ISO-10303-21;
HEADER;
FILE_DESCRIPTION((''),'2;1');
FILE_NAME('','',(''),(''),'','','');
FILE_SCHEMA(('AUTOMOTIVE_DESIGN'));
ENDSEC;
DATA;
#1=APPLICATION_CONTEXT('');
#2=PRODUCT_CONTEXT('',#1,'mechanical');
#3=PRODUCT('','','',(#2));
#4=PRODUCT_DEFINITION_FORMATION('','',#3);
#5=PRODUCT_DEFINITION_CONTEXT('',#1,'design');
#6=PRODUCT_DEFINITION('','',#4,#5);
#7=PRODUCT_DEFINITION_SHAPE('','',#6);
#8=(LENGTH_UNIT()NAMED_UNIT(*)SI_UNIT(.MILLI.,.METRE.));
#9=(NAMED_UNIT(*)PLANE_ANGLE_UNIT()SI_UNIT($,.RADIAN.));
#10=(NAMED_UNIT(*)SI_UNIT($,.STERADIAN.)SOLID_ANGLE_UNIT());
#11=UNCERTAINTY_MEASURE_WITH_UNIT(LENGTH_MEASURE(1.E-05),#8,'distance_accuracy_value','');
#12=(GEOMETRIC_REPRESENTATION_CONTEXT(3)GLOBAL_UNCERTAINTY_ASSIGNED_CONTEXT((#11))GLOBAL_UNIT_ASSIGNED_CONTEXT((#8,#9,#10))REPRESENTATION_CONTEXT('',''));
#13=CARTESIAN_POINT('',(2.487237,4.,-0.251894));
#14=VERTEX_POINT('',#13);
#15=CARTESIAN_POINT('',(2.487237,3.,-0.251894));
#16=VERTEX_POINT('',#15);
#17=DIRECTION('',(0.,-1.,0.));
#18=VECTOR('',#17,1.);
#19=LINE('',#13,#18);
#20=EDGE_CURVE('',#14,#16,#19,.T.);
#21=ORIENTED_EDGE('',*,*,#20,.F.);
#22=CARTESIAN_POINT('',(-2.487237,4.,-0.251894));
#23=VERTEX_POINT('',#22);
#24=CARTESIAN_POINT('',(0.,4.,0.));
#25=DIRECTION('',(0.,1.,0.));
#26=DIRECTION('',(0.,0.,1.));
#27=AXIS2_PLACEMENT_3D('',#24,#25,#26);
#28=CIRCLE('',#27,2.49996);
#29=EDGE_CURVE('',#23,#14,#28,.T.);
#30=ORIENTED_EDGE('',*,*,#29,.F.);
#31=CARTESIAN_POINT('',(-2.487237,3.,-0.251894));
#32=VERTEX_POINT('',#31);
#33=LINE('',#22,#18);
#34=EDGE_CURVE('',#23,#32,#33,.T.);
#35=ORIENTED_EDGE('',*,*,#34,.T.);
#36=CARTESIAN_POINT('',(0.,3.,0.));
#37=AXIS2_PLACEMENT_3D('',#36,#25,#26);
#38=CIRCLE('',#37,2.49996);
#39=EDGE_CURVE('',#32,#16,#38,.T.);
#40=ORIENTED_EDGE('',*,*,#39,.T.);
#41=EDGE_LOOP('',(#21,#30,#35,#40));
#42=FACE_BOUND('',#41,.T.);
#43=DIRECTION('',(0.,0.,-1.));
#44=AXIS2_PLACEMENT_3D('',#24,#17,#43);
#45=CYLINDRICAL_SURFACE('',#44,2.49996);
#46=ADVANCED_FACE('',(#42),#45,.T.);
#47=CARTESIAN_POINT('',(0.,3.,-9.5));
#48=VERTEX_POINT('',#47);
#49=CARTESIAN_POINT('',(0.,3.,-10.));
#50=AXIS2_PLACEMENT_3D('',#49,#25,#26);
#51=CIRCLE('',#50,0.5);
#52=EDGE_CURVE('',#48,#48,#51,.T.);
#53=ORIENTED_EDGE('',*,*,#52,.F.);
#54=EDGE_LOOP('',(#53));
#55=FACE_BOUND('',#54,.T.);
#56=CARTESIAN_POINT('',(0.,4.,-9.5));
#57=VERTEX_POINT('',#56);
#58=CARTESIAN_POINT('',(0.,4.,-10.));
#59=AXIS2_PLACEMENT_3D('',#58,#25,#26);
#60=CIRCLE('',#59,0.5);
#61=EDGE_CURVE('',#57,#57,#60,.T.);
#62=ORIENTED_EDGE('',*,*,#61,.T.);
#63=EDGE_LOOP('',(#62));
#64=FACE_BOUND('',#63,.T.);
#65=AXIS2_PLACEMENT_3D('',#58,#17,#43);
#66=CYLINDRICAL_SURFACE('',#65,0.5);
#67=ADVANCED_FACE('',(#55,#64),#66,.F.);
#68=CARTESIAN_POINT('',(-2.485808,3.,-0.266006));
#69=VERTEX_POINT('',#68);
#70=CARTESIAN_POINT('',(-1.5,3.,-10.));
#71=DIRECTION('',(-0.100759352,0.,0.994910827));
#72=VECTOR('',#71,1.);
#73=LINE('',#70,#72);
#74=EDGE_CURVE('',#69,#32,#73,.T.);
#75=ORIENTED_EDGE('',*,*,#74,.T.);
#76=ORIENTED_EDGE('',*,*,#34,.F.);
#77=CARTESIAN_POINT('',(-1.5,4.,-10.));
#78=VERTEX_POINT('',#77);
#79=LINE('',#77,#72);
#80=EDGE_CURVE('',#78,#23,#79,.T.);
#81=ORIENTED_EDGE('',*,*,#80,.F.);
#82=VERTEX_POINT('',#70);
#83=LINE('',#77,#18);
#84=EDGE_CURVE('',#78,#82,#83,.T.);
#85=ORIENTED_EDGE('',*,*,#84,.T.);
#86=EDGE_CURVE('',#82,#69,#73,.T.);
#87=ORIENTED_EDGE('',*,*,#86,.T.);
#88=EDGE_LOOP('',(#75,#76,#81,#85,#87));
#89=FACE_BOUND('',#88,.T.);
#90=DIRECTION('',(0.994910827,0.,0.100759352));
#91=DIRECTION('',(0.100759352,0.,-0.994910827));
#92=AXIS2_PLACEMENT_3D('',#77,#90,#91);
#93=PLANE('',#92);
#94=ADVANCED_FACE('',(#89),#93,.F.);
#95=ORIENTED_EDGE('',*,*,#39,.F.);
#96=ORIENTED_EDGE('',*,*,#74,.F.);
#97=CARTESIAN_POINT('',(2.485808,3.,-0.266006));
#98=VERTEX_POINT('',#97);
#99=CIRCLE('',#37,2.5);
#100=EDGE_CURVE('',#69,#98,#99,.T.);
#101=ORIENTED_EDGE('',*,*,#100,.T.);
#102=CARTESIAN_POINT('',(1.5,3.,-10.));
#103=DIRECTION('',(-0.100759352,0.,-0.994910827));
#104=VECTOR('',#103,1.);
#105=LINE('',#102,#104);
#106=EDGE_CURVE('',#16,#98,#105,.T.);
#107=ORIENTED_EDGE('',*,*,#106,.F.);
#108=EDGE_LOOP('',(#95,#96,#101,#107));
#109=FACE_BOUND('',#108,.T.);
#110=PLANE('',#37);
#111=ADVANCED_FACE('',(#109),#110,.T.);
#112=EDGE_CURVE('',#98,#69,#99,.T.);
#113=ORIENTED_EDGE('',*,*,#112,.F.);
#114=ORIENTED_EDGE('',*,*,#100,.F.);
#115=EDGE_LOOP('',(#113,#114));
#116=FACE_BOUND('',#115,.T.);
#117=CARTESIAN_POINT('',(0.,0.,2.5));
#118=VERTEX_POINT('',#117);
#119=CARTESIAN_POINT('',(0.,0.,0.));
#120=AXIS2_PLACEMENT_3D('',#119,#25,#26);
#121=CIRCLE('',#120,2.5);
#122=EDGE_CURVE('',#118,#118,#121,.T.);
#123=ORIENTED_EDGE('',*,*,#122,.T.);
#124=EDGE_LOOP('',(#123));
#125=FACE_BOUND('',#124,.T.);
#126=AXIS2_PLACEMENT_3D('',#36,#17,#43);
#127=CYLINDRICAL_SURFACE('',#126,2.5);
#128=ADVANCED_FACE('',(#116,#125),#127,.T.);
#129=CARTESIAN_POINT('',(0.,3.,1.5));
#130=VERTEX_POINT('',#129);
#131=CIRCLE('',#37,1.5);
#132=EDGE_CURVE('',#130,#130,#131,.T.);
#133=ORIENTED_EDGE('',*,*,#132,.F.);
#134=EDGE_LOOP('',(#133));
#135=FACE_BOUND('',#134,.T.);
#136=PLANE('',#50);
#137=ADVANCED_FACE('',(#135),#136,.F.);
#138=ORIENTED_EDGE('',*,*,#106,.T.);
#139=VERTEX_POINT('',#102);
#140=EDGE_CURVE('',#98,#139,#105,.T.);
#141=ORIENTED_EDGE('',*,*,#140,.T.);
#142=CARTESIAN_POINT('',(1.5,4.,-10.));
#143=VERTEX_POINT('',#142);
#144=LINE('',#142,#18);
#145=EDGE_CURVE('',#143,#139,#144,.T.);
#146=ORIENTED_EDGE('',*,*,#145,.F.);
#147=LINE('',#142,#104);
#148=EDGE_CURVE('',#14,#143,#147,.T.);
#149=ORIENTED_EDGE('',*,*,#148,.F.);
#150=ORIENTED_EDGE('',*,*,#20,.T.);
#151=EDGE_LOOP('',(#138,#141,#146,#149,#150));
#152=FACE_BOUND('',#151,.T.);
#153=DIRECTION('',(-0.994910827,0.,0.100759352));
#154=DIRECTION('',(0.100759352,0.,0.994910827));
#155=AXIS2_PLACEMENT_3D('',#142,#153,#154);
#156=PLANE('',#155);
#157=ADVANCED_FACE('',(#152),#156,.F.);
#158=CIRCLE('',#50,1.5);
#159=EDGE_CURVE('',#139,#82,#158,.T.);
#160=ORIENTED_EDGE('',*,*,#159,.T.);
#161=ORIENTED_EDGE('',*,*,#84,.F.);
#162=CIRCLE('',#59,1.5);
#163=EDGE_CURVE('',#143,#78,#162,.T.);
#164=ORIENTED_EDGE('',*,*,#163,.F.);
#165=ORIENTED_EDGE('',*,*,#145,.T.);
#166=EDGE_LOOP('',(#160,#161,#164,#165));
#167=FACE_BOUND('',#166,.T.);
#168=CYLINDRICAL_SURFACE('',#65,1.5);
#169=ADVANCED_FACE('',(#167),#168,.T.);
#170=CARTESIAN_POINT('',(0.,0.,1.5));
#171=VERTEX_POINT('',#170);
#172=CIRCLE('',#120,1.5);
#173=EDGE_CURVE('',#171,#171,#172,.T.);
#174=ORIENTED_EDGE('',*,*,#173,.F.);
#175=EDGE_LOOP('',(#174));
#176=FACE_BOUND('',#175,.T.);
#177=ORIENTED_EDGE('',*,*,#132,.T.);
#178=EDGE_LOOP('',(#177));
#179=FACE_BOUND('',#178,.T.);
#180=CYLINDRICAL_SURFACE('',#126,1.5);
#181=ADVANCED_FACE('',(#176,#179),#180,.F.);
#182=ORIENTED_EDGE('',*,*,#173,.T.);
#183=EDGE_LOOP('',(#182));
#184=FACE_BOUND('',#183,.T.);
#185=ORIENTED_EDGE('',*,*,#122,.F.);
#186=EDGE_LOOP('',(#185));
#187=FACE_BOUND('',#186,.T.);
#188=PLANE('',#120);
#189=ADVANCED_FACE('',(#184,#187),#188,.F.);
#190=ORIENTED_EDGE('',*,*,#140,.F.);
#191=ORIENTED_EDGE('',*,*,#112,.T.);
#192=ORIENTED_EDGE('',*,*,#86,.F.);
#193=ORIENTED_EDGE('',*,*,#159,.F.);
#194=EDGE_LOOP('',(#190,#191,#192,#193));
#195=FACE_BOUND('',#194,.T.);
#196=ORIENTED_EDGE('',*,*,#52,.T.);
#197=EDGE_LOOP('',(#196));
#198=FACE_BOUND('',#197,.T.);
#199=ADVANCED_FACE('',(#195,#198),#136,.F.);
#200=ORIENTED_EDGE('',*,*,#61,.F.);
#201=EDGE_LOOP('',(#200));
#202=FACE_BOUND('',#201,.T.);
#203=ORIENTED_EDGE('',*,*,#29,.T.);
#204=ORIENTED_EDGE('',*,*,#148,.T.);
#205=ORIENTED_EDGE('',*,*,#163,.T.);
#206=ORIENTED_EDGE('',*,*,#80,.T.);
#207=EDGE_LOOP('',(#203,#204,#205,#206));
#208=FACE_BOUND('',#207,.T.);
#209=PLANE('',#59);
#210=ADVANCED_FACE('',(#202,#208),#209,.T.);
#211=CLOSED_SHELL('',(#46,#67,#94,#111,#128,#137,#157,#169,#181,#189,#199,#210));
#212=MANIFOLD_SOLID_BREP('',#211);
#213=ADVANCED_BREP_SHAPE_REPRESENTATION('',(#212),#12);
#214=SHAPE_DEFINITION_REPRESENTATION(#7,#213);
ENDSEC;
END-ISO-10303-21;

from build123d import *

# Parameters (mm, degrees)
SKETCH1_R           = 2.5
SKETCH1_R_2         = 1.5
BOSS_EXTRUDE1_DEPTH = 3
SKETCH3_R           = 0.5
BOSS_EXTRUDE2_DEPTH = 1


with BuildPart() as part:
    # Sketch1 → Boss-Extrude1 (new body)
    with BuildSketch(Plane(origin=(0, 0, 0), x_dir=(1, 0, 0), z_dir=(0, 1, 0))):
        Circle(SKETCH1_R)
        Circle(SKETCH1_R_2, mode=Mode.SUBTRACT)
    extrude(amount=BOSS_EXTRUDE1_DEPTH)

    # Sketch3 → Boss-Extrude2 (add)
    with BuildSketch(Plane(origin=(0, 3, 0), x_dir=(1, 0, 0), z_dir=(0, 1, 0))):
        with BuildLine():
            Line((-1.5, 10), (-2.487237034, 0.251894326))
            ThreePointArc((-2.487237034, 0.251894326), (0, -2.499959763), (2.487237034, 0.251894326))
            Line((2.487237034, 0.251894326), (1.5, 10))
            ThreePointArc((1.5, 10), (0, 11.5), (-1.5, 10))
        make_face()
        with Locations((0, 10)):
            Circle(SKETCH3_R, mode=Mode.SUBTRACT)
    extrude(amount=BOSS_EXTRUDE2_DEPTH)


solid = part.part
